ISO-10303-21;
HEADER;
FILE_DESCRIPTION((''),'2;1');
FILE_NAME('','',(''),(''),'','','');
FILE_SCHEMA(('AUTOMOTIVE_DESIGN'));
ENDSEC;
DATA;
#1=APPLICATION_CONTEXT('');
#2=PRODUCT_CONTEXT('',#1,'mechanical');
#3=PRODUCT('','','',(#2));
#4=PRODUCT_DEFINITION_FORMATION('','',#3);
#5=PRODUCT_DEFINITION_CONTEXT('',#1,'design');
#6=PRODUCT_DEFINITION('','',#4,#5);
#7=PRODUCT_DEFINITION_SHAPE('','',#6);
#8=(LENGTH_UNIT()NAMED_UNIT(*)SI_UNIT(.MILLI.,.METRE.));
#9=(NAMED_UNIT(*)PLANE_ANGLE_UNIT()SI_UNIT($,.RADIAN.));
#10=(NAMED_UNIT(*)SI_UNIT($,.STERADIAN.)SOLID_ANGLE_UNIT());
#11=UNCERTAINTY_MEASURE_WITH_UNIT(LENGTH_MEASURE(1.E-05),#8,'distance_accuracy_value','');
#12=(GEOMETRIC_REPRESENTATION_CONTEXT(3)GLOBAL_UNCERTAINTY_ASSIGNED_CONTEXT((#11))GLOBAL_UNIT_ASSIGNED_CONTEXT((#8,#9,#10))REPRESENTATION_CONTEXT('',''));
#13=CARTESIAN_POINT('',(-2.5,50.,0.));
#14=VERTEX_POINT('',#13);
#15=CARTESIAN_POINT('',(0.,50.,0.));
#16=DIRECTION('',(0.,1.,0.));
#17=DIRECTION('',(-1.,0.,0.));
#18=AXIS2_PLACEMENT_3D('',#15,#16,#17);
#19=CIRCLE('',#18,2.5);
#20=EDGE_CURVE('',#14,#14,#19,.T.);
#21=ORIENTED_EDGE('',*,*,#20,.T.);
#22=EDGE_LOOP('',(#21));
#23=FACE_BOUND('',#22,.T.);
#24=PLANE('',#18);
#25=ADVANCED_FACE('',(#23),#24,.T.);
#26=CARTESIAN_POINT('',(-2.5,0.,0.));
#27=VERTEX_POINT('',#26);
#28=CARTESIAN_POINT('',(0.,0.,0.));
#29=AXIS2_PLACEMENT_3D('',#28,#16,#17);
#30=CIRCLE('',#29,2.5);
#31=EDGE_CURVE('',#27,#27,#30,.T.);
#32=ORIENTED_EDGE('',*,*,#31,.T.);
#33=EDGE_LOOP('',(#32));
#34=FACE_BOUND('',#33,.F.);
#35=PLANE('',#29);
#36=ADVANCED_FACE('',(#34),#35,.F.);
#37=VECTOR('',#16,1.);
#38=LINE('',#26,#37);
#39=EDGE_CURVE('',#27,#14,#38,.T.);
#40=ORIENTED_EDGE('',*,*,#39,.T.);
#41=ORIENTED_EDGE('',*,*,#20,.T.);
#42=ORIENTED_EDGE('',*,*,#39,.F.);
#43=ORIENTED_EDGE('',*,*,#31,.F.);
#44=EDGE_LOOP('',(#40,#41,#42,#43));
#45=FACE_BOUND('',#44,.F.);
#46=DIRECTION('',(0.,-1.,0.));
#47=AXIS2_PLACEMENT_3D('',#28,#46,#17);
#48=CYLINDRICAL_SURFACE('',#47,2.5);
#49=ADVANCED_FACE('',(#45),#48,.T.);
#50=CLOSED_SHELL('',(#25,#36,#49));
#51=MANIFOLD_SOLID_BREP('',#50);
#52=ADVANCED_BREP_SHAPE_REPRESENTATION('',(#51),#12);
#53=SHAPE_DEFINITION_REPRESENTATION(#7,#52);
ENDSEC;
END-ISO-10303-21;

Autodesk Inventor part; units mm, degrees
ref_plane "YZ Plane" through (0, 0, 0) normal (1, 0, 0) x (0, 1, 0)
ref_plane "XZ Plane" through (0, 0, 0) normal (0, 1, 0) x (-1, 0, 0)
ref_plane "XY Plane" through (0, 0, 0) normal (0, 0, 1) x (1, 0, 0)
sketch "Sketch1" plane through (0, 0, 0) normal (0, 1, 0) x (-1, 0, 0)
  circle A0 centre (0, 0) radius 2.5
  dimension "d0" = 5
extrude "Extrusion1" add sketch "Sketch1" along normal blind 50
properties part number "Truc_5_mm"
